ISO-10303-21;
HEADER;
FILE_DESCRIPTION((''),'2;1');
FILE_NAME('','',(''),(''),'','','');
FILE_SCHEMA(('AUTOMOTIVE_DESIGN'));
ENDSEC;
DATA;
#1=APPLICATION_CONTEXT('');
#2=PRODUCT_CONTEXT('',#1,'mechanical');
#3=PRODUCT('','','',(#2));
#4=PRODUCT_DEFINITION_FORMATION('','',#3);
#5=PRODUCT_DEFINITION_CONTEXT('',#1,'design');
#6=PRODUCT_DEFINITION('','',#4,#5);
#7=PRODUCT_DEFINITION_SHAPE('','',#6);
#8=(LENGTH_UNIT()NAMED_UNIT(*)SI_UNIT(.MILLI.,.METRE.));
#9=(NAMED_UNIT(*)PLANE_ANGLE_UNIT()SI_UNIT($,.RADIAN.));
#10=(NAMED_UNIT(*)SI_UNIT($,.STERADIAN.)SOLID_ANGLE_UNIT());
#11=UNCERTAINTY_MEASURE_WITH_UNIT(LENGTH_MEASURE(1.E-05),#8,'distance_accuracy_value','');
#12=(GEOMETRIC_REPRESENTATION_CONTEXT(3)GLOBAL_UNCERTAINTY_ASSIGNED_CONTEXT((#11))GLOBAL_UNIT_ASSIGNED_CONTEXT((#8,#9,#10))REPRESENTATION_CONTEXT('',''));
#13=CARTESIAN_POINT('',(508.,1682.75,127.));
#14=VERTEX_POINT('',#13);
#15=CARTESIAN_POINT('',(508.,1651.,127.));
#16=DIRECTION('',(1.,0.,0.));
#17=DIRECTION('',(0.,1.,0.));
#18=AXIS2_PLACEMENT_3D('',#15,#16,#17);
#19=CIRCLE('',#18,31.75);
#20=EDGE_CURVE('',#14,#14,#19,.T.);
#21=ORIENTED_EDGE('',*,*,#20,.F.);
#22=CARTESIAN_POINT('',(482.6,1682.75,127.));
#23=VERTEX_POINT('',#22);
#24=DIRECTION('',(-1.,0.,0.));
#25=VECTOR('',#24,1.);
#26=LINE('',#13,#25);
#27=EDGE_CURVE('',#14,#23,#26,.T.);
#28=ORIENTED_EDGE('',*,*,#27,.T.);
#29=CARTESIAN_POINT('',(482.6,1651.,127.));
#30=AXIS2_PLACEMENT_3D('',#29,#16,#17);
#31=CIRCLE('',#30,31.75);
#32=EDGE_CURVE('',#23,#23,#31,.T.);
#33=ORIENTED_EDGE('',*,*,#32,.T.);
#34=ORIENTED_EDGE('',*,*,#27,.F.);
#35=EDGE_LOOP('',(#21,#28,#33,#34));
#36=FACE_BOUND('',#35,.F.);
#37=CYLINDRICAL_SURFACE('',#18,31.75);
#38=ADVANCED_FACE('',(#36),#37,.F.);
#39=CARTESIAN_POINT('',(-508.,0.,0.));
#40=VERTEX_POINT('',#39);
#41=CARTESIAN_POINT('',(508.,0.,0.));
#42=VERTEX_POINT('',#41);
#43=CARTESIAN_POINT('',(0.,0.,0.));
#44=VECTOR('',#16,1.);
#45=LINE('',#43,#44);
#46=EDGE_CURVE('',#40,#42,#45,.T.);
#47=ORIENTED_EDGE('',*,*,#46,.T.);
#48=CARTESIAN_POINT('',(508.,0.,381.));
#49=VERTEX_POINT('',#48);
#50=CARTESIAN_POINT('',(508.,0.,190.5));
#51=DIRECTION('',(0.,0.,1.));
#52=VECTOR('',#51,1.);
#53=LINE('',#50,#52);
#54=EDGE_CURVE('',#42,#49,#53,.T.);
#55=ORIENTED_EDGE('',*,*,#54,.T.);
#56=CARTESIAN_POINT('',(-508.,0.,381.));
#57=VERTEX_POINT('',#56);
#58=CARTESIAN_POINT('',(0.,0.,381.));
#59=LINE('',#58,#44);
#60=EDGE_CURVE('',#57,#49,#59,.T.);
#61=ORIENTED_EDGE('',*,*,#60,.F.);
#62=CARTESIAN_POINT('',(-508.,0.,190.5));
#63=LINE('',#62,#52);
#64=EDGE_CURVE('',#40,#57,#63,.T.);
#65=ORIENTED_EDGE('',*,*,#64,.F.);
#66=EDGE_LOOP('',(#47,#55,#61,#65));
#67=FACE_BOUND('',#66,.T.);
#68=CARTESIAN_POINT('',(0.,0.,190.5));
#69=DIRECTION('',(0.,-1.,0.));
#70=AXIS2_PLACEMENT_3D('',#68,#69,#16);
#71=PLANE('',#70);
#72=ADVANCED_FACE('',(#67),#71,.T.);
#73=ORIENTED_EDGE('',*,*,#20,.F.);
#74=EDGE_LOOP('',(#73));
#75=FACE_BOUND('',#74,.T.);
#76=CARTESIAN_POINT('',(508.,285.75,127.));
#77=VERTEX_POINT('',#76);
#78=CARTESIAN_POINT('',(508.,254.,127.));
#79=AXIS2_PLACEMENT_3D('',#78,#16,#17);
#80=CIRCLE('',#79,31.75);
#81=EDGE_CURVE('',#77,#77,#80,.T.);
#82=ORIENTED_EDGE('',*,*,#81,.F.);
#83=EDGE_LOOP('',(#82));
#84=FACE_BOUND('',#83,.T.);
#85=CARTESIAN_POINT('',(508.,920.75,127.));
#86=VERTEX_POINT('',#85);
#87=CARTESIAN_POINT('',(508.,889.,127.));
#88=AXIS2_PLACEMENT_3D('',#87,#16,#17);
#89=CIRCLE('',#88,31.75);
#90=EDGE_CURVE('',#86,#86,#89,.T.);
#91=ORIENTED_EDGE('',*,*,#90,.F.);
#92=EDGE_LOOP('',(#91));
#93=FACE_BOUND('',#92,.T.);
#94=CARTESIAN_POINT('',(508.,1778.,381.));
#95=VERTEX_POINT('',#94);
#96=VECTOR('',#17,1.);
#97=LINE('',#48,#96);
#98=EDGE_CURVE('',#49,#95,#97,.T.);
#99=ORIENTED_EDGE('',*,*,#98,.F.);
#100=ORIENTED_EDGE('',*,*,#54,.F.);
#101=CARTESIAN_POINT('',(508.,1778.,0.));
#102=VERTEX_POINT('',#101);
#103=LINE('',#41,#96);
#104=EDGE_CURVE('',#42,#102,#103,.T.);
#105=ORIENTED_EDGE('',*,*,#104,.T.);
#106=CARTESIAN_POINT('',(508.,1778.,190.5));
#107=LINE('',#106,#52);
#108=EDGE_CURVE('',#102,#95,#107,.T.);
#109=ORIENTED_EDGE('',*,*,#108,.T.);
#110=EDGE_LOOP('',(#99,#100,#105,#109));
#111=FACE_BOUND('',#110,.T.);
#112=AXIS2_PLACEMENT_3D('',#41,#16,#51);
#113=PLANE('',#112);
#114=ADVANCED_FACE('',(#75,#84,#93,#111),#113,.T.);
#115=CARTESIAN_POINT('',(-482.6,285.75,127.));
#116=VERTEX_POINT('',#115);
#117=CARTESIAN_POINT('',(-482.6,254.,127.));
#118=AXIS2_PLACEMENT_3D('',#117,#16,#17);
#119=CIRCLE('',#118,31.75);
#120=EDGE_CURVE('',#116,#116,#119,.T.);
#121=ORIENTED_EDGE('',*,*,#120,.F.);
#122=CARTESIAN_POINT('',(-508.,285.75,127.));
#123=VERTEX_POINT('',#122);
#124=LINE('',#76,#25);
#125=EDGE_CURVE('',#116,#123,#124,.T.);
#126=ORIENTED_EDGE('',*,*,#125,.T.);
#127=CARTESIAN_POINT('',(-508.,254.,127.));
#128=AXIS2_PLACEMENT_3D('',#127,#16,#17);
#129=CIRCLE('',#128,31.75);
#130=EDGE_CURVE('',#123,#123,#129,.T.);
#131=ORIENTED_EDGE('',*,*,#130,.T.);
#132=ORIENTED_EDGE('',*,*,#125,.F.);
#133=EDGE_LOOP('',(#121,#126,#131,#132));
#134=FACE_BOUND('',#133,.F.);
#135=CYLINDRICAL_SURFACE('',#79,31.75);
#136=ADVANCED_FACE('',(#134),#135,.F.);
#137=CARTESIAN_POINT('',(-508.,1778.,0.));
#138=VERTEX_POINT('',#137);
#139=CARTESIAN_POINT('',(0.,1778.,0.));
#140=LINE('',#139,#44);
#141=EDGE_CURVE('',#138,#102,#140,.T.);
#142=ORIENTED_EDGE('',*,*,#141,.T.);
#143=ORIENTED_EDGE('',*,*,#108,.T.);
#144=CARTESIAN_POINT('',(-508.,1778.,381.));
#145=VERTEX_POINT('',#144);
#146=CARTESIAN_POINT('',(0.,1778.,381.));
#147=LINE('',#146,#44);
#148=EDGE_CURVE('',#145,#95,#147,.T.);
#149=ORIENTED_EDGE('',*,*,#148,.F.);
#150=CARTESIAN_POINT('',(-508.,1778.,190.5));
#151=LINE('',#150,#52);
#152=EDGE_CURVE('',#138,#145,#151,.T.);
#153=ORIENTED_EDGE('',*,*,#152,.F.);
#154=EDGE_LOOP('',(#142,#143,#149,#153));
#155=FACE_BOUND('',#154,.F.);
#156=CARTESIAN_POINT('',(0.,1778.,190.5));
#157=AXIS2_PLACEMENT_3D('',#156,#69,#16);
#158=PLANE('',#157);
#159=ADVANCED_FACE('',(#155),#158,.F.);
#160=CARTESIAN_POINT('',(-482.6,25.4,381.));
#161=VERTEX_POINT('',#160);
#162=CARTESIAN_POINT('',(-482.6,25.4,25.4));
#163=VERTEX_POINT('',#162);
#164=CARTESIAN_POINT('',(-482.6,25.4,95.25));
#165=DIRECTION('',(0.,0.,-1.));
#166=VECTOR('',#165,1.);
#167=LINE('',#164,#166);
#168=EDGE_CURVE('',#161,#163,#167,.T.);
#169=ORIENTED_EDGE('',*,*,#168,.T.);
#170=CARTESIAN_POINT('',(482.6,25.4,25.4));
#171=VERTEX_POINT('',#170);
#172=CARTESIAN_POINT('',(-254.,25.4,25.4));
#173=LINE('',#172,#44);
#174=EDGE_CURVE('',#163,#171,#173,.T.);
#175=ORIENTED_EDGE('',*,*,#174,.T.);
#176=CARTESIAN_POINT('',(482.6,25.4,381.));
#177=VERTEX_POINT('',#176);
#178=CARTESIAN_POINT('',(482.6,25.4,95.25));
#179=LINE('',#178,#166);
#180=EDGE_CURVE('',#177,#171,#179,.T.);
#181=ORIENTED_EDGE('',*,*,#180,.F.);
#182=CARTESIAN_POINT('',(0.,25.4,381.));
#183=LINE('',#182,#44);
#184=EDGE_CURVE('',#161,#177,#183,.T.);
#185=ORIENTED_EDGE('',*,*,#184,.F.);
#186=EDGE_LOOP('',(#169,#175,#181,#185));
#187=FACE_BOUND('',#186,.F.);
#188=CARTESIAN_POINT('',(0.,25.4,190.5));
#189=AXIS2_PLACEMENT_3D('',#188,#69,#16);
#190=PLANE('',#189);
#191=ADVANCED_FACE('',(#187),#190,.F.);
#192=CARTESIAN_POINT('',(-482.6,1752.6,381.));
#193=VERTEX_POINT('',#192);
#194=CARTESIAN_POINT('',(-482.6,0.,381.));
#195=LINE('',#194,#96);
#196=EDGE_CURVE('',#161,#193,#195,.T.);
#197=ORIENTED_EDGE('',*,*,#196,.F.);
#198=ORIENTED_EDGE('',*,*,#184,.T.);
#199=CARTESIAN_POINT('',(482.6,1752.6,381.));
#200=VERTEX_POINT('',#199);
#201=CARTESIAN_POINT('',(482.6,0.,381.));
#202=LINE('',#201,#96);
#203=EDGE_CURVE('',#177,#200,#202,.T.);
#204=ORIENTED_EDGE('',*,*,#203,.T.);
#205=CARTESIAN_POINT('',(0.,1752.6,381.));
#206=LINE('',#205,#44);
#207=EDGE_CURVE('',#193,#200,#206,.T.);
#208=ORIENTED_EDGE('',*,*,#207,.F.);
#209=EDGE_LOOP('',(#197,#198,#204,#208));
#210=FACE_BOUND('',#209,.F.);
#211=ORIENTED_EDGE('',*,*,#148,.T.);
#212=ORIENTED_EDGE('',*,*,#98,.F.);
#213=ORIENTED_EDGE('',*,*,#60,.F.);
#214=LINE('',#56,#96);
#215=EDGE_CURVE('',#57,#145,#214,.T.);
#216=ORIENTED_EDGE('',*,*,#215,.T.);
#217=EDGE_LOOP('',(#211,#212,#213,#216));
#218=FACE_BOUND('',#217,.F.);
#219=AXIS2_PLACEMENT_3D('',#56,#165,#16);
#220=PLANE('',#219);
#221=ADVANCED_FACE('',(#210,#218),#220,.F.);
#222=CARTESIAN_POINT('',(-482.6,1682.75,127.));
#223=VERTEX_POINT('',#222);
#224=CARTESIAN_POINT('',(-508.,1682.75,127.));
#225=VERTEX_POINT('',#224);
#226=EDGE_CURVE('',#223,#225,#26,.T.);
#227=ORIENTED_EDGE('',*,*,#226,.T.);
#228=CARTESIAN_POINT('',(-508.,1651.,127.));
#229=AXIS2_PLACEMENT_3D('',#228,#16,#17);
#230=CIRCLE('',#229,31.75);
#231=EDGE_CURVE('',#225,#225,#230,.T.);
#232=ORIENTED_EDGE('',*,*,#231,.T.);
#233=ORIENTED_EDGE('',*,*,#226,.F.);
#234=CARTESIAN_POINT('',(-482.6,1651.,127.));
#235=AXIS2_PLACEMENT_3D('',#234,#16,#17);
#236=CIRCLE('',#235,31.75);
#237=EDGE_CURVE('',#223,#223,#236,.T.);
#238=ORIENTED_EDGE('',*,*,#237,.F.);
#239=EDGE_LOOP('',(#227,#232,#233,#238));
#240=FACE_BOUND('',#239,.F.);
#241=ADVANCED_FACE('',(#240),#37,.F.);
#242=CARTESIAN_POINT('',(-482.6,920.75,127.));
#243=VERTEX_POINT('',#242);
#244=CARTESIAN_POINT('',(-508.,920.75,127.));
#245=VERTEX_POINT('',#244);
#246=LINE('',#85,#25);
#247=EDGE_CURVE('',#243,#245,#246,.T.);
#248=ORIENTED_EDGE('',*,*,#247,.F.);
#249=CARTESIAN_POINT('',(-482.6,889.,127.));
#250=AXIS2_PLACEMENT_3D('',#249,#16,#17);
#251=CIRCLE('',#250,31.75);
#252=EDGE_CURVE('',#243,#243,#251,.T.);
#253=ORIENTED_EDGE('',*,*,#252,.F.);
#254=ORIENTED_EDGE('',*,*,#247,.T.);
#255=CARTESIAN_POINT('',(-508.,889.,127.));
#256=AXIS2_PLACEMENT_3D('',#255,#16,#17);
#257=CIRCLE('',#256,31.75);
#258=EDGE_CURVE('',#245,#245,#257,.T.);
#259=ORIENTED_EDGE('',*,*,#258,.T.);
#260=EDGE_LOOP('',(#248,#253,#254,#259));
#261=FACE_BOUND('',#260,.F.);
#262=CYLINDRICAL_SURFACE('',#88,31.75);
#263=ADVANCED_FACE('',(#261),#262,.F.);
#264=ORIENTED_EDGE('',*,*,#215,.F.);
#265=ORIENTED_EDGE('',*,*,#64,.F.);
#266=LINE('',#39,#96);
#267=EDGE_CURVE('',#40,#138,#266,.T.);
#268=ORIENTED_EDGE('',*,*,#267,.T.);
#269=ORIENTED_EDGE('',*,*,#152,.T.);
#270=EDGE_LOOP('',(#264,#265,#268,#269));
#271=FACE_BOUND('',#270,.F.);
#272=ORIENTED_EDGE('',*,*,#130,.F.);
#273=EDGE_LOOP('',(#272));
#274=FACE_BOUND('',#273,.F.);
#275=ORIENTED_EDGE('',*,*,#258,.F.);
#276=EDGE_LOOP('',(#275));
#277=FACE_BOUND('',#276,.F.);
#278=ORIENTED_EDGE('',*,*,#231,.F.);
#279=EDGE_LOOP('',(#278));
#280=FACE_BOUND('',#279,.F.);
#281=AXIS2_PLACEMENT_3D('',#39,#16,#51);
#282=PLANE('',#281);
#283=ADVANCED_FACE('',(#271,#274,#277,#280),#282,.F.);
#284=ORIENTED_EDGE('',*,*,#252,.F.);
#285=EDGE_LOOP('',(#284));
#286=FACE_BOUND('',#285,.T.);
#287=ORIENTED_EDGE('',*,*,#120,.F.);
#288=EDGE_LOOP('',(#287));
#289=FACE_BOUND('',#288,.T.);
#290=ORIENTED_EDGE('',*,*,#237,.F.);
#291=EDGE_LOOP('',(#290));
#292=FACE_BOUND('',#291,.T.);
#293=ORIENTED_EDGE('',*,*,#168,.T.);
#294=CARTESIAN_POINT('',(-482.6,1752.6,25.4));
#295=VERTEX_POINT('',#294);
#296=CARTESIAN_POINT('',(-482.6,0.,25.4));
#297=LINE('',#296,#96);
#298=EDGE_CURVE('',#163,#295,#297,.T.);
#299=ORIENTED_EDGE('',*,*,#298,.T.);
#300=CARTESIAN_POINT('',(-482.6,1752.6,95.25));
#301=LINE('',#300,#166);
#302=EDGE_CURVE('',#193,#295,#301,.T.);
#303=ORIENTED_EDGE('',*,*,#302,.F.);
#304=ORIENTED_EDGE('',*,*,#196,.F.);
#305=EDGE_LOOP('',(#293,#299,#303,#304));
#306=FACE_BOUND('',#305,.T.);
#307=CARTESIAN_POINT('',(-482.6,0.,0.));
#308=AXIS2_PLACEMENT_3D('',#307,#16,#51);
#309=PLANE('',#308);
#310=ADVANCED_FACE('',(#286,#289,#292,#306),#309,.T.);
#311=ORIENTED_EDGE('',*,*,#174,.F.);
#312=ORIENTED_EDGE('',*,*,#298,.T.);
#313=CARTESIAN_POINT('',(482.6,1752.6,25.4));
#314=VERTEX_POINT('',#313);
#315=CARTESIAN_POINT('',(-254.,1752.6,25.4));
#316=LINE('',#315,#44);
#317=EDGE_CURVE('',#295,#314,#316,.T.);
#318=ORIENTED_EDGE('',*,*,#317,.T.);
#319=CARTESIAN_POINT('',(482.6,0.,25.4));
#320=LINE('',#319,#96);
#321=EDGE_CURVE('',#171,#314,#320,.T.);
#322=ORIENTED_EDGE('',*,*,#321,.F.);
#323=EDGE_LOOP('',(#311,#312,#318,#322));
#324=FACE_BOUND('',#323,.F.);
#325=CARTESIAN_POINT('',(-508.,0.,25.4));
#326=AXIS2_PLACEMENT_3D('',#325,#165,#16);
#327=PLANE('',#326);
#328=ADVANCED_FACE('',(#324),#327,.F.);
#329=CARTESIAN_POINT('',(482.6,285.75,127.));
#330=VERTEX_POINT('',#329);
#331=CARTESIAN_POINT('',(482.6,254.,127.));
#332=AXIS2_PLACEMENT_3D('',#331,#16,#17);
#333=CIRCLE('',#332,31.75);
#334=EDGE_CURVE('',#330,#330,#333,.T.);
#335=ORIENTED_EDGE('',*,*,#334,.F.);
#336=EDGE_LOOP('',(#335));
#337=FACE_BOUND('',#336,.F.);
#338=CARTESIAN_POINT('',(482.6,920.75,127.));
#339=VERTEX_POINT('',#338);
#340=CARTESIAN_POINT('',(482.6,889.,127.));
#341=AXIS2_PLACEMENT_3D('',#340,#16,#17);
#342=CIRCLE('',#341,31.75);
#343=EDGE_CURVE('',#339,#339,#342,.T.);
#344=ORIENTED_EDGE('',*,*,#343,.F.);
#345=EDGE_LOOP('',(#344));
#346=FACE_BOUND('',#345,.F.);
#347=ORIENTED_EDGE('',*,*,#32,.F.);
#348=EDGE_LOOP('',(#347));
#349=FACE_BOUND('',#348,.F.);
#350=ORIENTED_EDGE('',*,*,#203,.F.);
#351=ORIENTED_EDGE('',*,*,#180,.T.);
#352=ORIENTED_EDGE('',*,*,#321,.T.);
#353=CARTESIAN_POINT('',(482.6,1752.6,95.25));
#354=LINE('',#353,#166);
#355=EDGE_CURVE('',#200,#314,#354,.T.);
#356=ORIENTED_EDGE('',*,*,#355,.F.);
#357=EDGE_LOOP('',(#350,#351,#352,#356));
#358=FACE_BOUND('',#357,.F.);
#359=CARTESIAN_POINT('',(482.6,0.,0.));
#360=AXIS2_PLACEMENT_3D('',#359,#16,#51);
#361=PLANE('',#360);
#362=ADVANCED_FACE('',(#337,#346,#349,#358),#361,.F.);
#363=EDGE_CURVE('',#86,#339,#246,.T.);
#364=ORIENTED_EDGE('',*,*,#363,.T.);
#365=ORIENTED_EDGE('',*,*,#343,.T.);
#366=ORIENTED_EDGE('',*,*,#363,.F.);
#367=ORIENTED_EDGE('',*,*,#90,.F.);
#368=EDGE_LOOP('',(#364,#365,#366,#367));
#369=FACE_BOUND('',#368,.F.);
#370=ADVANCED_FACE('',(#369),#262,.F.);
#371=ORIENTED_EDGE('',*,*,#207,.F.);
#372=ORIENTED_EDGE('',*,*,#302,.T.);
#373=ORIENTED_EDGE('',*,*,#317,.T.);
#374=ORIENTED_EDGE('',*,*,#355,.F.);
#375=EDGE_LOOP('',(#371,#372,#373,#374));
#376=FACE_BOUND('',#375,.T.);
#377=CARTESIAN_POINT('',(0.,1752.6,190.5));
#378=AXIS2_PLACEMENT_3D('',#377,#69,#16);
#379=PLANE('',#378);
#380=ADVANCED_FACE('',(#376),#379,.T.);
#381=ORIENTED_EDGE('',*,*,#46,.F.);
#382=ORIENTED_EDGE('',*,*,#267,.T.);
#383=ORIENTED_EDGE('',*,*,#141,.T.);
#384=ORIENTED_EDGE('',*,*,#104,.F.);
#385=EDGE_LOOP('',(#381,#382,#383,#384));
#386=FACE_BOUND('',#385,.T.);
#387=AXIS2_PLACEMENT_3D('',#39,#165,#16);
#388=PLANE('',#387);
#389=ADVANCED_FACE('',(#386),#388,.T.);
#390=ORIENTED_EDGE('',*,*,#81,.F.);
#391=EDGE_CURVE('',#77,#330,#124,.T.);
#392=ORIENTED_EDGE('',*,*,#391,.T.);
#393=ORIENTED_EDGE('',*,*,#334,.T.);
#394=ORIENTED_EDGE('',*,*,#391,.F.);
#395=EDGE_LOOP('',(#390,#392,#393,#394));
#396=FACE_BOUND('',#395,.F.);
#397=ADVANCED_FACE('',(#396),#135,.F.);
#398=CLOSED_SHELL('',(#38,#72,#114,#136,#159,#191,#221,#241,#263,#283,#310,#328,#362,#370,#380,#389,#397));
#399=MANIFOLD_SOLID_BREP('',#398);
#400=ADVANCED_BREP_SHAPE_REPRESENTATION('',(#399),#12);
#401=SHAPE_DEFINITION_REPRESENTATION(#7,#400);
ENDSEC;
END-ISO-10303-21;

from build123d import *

# Parameters (mm, degrees)
F0_W     = 1016
F0_H     = 381
F1_DEPTH = 1778
F2_T     = -25.4
F3_R     = 31.75
F4_DEPTH = 1016.001


with BuildPart() as f1:
    # F0 (on Front) → F1 (new body)
    with BuildSketch(Plane.XZ):
        with Locations((0, 190.5)):
            Rectangle(F0_W, F0_H)
    extrude(amount=-F1_DEPTH)

    # F2
    f2_openings = [f1.faces().sort_by_distance(p)[0] for p in [
        (0, 889, 381),
    ]]
    offset(amount=F2_T, openings=f2_openings)

    # F3 (on face) → F4 (cut, through all)
    with BuildSketch(Plane.YZ.offset(508)):
        with Locations((254, 127)):
            Circle(F3_R)
        with Locations((1651, 127)):
            Circle(F3_R)
        with Locations((889, 127)):
            Circle(F3_R)
    extrude(amount=-F4_DEPTH, mode=Mode.SUBTRACT)


solid = f1.part
